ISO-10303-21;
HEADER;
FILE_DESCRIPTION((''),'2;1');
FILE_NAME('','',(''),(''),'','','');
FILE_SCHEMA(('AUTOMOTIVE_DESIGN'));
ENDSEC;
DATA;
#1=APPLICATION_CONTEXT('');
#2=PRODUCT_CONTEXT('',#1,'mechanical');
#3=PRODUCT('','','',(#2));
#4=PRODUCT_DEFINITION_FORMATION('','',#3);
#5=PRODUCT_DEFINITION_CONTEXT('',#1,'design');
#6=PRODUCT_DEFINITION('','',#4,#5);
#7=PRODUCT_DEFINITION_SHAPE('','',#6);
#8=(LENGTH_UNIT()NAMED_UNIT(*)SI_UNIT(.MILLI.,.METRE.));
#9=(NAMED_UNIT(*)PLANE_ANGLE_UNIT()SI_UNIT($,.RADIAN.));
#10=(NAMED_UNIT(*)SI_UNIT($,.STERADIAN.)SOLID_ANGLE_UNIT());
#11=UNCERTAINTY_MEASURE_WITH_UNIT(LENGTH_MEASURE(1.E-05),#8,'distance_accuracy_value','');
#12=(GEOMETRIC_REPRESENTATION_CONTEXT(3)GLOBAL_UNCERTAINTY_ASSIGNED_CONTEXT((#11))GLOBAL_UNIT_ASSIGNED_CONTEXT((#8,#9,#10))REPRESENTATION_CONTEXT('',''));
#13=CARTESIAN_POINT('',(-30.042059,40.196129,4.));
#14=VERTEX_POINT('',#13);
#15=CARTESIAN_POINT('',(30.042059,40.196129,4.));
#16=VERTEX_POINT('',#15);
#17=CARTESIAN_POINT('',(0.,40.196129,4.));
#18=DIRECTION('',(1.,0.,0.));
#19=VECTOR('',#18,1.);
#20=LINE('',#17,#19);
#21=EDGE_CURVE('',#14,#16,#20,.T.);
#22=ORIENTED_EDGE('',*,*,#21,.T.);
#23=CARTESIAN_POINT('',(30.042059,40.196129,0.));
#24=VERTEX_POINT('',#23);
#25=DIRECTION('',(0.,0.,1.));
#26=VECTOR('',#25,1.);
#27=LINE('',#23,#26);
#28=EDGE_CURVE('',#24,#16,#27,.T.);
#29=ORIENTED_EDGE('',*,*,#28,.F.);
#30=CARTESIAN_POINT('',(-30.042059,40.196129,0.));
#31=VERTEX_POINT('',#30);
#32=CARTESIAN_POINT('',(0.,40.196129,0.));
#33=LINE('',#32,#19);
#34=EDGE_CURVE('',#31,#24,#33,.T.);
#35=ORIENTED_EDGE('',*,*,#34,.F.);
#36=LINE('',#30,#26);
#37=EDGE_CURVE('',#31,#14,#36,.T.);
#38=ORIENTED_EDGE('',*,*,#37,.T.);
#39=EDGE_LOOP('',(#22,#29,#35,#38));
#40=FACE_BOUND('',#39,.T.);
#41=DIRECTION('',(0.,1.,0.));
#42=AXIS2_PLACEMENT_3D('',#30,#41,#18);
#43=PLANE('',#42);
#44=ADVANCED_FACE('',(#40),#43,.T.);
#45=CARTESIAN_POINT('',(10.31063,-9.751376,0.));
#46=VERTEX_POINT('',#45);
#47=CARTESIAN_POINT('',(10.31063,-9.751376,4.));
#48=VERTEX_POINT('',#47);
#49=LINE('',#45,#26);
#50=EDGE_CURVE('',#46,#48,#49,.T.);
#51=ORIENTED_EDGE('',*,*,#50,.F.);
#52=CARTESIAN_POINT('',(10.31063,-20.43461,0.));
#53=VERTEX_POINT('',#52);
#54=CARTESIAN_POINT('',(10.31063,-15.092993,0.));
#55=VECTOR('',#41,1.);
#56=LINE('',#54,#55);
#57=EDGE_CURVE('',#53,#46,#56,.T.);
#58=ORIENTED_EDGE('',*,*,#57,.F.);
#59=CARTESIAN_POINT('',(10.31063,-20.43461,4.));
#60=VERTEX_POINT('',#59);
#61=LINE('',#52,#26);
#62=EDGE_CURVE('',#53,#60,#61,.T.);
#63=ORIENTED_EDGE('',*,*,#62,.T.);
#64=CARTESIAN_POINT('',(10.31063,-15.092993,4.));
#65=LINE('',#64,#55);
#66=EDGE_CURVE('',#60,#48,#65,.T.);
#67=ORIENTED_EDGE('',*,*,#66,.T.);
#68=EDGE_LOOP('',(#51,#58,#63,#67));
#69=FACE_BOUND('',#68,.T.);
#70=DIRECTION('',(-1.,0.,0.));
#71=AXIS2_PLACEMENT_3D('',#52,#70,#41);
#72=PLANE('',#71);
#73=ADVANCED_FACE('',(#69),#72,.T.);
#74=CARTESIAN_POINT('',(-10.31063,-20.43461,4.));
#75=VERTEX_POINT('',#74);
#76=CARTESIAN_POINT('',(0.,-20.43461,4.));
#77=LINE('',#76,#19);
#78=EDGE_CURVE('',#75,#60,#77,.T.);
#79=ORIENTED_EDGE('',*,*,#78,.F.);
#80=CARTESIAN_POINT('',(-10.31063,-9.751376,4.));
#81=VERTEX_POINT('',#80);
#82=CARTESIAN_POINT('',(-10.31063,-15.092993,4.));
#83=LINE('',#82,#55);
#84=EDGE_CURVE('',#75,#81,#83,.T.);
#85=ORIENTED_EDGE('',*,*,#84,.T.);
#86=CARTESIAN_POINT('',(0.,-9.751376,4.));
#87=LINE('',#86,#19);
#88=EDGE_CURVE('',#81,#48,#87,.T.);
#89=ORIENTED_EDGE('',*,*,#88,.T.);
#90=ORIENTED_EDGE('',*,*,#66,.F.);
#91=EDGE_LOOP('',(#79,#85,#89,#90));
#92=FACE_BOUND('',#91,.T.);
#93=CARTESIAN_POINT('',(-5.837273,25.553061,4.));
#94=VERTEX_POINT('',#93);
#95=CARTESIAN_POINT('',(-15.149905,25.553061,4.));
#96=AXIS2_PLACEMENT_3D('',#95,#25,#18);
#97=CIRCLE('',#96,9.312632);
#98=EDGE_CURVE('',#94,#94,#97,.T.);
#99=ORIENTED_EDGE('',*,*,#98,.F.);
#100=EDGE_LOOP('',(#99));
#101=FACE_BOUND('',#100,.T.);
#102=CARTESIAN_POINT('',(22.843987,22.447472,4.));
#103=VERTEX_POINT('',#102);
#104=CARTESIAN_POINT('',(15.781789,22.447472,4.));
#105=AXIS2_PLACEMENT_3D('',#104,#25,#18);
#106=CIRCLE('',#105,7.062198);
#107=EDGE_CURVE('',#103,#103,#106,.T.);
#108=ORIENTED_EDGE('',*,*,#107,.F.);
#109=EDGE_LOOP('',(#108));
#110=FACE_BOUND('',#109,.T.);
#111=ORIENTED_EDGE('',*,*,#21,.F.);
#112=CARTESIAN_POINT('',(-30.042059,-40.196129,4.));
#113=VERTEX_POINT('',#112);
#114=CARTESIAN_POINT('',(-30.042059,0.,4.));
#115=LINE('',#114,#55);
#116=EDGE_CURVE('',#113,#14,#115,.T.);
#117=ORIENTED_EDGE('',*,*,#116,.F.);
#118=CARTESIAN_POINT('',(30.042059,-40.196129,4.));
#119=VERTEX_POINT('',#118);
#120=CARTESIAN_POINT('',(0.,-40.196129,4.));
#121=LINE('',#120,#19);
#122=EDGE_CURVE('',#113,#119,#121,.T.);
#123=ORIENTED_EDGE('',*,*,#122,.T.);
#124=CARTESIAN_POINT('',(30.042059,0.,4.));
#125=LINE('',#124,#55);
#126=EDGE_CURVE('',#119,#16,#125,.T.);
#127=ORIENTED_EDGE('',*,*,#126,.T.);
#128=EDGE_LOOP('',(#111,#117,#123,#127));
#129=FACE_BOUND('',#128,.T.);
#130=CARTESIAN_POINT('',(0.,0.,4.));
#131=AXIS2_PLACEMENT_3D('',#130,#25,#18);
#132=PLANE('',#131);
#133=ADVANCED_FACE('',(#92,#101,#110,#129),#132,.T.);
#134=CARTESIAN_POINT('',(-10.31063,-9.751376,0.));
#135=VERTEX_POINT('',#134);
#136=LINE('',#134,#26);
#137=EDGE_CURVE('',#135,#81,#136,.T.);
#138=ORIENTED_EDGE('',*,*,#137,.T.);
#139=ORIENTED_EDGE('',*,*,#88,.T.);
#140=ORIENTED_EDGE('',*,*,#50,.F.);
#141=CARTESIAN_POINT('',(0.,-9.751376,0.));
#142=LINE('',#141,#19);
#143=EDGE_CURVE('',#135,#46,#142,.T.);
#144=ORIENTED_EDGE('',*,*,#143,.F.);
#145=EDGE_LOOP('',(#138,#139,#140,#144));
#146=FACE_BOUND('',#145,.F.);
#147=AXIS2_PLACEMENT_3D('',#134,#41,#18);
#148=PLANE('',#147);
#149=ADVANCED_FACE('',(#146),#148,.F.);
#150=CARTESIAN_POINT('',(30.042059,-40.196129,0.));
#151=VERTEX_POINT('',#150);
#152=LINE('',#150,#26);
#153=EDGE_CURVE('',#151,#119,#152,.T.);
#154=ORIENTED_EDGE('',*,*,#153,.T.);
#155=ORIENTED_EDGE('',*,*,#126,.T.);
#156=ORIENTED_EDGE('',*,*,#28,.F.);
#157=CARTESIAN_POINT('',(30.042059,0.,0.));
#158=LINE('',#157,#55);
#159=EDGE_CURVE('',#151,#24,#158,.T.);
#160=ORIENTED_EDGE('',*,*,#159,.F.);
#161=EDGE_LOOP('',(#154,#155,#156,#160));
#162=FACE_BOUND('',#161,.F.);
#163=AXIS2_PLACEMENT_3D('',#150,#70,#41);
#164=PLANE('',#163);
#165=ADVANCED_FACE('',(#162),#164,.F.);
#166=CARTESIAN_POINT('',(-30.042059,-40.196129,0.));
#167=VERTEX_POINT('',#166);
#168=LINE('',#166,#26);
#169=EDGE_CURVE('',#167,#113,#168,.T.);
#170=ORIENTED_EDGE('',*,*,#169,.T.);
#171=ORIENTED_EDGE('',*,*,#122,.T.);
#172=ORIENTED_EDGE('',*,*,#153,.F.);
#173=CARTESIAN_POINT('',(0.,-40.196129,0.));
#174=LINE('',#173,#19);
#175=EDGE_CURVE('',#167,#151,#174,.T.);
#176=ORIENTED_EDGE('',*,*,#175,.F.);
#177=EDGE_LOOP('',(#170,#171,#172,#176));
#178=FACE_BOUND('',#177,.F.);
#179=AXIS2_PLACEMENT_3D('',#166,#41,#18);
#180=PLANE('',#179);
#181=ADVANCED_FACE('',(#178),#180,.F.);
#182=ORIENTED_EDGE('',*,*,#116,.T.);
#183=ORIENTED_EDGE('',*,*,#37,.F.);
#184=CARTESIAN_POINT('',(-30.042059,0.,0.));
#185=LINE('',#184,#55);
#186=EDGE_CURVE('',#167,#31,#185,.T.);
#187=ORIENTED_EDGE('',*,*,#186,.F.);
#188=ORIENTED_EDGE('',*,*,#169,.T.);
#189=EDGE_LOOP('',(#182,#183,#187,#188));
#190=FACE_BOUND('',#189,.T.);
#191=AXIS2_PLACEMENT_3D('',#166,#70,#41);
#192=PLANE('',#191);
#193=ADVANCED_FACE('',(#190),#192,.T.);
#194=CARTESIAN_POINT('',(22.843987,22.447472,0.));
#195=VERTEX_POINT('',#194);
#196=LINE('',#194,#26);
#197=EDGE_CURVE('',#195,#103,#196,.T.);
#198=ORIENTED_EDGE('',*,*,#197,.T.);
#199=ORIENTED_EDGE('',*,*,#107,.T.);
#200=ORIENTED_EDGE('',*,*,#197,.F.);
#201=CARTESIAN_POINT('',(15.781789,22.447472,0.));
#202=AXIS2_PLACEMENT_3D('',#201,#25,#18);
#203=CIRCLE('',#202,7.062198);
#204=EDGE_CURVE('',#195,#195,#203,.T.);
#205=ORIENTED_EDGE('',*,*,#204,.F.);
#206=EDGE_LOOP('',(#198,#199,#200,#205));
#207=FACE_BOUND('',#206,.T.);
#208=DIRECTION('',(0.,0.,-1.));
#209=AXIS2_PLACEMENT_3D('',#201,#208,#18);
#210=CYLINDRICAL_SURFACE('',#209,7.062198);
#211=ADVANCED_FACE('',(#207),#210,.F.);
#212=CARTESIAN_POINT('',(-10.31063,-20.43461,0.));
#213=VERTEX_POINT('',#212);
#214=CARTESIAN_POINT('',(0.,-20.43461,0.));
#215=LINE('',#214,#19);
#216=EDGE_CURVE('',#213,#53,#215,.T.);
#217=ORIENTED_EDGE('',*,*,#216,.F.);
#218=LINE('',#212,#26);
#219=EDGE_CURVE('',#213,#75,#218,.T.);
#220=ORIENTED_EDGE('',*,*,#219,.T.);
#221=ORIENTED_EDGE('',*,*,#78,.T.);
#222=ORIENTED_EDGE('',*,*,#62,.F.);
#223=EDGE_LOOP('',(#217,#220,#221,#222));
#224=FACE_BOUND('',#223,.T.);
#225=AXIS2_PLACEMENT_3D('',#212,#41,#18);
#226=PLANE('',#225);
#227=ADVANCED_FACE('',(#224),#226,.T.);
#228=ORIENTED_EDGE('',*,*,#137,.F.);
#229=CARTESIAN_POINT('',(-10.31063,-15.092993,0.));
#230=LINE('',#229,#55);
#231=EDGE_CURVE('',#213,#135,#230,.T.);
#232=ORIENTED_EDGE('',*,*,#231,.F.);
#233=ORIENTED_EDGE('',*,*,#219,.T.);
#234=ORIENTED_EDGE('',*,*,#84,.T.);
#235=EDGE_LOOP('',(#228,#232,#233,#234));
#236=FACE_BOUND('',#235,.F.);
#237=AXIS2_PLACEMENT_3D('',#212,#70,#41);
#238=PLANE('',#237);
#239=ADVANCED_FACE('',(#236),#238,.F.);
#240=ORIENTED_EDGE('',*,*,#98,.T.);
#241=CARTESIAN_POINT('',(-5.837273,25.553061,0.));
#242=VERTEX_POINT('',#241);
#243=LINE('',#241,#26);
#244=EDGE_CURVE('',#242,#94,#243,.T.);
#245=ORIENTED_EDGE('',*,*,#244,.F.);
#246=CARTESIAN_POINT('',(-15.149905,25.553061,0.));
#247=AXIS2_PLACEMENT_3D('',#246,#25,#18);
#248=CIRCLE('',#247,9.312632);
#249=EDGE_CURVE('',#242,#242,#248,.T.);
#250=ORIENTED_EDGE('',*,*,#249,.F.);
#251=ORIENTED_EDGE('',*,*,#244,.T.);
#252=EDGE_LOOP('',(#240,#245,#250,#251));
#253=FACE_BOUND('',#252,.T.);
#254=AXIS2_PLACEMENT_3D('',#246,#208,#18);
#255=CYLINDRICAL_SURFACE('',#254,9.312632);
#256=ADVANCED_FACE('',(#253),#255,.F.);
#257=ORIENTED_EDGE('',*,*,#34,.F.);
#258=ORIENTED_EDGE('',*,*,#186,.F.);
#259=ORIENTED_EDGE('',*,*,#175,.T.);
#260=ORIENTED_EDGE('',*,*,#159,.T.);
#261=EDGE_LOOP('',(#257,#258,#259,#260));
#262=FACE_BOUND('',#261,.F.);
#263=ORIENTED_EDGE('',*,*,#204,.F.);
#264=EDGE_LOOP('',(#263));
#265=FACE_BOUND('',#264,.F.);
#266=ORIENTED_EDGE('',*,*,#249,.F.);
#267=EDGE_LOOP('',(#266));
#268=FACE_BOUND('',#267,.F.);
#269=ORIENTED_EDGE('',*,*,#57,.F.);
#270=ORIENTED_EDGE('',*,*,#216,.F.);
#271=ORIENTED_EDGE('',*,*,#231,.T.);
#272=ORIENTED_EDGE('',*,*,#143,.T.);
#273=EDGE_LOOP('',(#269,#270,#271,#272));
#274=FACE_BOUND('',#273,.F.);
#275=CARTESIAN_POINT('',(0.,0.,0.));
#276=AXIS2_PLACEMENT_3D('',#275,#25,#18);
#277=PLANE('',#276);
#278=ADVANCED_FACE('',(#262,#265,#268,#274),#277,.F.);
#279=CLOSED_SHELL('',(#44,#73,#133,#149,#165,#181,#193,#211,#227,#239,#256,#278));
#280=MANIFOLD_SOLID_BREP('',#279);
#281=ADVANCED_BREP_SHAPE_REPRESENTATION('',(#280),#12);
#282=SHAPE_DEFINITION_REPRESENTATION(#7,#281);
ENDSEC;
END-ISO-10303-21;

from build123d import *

# Parameters (mm, degrees)
SKETCH_W      = 60.084118
SKETCH_H      = 80.392258
SKETCH_R      = 9.312632
SKETCH_R_2    = 7.062198
SKETCH_W_2    = 20.62126
SKETCH_H_2    = 10.683233
EXTRUDE_DEPTH = 4


with BuildPart() as part:
    # Sketch → Extrude (new body)
    with BuildSketch(Plane.XY):
        Rectangle(SKETCH_W, SKETCH_H)
        with Locations((-15.149905, 25.553061)):
            Circle(SKETCH_R, mode=Mode.SUBTRACT)
        with Locations((15.781789, 22.447472)):
            Circle(SKETCH_R_2, mode=Mode.SUBTRACT)
        with Locations((0, -15.092993)):
            Rectangle(SKETCH_W_2, SKETCH_H_2, mode=Mode.SUBTRACT)
    extrude(amount=EXTRUDE_DEPTH)


solid = part.part
